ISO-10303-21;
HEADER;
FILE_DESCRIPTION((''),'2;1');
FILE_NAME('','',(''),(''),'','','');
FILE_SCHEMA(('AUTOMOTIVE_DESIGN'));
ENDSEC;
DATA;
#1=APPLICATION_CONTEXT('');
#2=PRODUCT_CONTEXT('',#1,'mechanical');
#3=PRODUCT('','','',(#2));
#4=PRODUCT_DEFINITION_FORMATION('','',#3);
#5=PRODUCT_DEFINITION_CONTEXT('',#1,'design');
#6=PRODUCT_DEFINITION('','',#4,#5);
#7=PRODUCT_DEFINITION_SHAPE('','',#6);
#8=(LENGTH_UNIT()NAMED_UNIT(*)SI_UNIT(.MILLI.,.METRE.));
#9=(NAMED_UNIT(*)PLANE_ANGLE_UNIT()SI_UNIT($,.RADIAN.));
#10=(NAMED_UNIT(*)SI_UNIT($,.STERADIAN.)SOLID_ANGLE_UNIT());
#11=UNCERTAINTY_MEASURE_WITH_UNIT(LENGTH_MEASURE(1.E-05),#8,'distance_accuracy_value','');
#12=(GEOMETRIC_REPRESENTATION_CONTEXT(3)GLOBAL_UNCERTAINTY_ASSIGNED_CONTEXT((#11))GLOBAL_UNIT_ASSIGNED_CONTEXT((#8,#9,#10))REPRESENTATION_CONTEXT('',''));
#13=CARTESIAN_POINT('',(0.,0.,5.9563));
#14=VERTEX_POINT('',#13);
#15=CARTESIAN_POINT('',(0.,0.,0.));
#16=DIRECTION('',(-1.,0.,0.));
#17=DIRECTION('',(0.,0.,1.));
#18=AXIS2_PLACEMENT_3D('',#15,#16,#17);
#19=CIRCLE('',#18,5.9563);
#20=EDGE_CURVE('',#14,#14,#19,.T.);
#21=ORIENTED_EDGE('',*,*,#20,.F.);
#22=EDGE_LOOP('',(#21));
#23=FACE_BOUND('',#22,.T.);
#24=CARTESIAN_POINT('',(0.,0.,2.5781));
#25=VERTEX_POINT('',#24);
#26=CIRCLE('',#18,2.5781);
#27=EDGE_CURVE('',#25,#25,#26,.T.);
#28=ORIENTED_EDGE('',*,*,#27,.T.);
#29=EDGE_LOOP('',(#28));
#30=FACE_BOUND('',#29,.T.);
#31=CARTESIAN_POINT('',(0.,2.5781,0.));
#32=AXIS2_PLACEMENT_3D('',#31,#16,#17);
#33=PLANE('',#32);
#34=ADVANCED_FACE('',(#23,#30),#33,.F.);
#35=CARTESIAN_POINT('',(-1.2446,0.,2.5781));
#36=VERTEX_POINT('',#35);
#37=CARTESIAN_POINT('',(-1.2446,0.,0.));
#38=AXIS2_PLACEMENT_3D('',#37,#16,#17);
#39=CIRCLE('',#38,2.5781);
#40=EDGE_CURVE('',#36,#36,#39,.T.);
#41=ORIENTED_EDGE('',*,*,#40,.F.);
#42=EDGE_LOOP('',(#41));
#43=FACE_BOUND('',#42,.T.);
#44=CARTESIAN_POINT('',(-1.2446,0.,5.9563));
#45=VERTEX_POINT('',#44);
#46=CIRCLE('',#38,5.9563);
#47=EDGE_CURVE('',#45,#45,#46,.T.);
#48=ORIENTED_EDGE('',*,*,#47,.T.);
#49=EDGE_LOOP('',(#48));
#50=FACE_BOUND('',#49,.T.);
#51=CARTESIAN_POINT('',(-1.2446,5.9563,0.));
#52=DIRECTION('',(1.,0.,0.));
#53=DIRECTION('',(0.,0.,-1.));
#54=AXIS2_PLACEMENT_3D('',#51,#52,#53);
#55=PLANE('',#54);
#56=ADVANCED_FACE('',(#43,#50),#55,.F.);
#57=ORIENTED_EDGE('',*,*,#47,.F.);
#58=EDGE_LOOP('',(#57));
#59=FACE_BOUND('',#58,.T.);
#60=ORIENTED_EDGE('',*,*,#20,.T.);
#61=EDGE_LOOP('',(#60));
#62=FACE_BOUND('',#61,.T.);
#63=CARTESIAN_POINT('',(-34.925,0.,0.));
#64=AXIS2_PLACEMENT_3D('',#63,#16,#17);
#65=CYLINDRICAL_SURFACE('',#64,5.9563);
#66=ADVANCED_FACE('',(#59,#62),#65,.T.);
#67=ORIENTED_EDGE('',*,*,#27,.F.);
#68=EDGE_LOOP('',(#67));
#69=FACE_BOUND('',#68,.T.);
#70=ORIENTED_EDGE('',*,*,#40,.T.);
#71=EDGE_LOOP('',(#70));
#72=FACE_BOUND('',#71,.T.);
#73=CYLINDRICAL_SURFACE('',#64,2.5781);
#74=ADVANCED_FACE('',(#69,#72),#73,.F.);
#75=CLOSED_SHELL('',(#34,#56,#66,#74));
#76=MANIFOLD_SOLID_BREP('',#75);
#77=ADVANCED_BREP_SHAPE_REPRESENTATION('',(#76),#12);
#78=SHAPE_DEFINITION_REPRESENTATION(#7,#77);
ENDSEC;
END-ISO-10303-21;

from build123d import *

# Parameters (mm, degrees)
SKETCH1_W = 1.2446
SKETCH1_H = 3.3782


with BuildPart() as part:
    # Sketch1 → Base-Revolve (revolve)
    with BuildSketch(Plane.XY, mode=Mode.PRIVATE) as base_revolve_sk:
        with Locations((-0.6223, 4.2672)):
            Rectangle(SKETCH1_W, SKETCH1_H)
    revolve(base_revolve_sk.sketch.rotate(Axis((-34.925, 0, 0), (1, 0, 0)), 90), axis=Axis((-34.925, 0, 0), (1, 0, 0)))


solid = part.part
